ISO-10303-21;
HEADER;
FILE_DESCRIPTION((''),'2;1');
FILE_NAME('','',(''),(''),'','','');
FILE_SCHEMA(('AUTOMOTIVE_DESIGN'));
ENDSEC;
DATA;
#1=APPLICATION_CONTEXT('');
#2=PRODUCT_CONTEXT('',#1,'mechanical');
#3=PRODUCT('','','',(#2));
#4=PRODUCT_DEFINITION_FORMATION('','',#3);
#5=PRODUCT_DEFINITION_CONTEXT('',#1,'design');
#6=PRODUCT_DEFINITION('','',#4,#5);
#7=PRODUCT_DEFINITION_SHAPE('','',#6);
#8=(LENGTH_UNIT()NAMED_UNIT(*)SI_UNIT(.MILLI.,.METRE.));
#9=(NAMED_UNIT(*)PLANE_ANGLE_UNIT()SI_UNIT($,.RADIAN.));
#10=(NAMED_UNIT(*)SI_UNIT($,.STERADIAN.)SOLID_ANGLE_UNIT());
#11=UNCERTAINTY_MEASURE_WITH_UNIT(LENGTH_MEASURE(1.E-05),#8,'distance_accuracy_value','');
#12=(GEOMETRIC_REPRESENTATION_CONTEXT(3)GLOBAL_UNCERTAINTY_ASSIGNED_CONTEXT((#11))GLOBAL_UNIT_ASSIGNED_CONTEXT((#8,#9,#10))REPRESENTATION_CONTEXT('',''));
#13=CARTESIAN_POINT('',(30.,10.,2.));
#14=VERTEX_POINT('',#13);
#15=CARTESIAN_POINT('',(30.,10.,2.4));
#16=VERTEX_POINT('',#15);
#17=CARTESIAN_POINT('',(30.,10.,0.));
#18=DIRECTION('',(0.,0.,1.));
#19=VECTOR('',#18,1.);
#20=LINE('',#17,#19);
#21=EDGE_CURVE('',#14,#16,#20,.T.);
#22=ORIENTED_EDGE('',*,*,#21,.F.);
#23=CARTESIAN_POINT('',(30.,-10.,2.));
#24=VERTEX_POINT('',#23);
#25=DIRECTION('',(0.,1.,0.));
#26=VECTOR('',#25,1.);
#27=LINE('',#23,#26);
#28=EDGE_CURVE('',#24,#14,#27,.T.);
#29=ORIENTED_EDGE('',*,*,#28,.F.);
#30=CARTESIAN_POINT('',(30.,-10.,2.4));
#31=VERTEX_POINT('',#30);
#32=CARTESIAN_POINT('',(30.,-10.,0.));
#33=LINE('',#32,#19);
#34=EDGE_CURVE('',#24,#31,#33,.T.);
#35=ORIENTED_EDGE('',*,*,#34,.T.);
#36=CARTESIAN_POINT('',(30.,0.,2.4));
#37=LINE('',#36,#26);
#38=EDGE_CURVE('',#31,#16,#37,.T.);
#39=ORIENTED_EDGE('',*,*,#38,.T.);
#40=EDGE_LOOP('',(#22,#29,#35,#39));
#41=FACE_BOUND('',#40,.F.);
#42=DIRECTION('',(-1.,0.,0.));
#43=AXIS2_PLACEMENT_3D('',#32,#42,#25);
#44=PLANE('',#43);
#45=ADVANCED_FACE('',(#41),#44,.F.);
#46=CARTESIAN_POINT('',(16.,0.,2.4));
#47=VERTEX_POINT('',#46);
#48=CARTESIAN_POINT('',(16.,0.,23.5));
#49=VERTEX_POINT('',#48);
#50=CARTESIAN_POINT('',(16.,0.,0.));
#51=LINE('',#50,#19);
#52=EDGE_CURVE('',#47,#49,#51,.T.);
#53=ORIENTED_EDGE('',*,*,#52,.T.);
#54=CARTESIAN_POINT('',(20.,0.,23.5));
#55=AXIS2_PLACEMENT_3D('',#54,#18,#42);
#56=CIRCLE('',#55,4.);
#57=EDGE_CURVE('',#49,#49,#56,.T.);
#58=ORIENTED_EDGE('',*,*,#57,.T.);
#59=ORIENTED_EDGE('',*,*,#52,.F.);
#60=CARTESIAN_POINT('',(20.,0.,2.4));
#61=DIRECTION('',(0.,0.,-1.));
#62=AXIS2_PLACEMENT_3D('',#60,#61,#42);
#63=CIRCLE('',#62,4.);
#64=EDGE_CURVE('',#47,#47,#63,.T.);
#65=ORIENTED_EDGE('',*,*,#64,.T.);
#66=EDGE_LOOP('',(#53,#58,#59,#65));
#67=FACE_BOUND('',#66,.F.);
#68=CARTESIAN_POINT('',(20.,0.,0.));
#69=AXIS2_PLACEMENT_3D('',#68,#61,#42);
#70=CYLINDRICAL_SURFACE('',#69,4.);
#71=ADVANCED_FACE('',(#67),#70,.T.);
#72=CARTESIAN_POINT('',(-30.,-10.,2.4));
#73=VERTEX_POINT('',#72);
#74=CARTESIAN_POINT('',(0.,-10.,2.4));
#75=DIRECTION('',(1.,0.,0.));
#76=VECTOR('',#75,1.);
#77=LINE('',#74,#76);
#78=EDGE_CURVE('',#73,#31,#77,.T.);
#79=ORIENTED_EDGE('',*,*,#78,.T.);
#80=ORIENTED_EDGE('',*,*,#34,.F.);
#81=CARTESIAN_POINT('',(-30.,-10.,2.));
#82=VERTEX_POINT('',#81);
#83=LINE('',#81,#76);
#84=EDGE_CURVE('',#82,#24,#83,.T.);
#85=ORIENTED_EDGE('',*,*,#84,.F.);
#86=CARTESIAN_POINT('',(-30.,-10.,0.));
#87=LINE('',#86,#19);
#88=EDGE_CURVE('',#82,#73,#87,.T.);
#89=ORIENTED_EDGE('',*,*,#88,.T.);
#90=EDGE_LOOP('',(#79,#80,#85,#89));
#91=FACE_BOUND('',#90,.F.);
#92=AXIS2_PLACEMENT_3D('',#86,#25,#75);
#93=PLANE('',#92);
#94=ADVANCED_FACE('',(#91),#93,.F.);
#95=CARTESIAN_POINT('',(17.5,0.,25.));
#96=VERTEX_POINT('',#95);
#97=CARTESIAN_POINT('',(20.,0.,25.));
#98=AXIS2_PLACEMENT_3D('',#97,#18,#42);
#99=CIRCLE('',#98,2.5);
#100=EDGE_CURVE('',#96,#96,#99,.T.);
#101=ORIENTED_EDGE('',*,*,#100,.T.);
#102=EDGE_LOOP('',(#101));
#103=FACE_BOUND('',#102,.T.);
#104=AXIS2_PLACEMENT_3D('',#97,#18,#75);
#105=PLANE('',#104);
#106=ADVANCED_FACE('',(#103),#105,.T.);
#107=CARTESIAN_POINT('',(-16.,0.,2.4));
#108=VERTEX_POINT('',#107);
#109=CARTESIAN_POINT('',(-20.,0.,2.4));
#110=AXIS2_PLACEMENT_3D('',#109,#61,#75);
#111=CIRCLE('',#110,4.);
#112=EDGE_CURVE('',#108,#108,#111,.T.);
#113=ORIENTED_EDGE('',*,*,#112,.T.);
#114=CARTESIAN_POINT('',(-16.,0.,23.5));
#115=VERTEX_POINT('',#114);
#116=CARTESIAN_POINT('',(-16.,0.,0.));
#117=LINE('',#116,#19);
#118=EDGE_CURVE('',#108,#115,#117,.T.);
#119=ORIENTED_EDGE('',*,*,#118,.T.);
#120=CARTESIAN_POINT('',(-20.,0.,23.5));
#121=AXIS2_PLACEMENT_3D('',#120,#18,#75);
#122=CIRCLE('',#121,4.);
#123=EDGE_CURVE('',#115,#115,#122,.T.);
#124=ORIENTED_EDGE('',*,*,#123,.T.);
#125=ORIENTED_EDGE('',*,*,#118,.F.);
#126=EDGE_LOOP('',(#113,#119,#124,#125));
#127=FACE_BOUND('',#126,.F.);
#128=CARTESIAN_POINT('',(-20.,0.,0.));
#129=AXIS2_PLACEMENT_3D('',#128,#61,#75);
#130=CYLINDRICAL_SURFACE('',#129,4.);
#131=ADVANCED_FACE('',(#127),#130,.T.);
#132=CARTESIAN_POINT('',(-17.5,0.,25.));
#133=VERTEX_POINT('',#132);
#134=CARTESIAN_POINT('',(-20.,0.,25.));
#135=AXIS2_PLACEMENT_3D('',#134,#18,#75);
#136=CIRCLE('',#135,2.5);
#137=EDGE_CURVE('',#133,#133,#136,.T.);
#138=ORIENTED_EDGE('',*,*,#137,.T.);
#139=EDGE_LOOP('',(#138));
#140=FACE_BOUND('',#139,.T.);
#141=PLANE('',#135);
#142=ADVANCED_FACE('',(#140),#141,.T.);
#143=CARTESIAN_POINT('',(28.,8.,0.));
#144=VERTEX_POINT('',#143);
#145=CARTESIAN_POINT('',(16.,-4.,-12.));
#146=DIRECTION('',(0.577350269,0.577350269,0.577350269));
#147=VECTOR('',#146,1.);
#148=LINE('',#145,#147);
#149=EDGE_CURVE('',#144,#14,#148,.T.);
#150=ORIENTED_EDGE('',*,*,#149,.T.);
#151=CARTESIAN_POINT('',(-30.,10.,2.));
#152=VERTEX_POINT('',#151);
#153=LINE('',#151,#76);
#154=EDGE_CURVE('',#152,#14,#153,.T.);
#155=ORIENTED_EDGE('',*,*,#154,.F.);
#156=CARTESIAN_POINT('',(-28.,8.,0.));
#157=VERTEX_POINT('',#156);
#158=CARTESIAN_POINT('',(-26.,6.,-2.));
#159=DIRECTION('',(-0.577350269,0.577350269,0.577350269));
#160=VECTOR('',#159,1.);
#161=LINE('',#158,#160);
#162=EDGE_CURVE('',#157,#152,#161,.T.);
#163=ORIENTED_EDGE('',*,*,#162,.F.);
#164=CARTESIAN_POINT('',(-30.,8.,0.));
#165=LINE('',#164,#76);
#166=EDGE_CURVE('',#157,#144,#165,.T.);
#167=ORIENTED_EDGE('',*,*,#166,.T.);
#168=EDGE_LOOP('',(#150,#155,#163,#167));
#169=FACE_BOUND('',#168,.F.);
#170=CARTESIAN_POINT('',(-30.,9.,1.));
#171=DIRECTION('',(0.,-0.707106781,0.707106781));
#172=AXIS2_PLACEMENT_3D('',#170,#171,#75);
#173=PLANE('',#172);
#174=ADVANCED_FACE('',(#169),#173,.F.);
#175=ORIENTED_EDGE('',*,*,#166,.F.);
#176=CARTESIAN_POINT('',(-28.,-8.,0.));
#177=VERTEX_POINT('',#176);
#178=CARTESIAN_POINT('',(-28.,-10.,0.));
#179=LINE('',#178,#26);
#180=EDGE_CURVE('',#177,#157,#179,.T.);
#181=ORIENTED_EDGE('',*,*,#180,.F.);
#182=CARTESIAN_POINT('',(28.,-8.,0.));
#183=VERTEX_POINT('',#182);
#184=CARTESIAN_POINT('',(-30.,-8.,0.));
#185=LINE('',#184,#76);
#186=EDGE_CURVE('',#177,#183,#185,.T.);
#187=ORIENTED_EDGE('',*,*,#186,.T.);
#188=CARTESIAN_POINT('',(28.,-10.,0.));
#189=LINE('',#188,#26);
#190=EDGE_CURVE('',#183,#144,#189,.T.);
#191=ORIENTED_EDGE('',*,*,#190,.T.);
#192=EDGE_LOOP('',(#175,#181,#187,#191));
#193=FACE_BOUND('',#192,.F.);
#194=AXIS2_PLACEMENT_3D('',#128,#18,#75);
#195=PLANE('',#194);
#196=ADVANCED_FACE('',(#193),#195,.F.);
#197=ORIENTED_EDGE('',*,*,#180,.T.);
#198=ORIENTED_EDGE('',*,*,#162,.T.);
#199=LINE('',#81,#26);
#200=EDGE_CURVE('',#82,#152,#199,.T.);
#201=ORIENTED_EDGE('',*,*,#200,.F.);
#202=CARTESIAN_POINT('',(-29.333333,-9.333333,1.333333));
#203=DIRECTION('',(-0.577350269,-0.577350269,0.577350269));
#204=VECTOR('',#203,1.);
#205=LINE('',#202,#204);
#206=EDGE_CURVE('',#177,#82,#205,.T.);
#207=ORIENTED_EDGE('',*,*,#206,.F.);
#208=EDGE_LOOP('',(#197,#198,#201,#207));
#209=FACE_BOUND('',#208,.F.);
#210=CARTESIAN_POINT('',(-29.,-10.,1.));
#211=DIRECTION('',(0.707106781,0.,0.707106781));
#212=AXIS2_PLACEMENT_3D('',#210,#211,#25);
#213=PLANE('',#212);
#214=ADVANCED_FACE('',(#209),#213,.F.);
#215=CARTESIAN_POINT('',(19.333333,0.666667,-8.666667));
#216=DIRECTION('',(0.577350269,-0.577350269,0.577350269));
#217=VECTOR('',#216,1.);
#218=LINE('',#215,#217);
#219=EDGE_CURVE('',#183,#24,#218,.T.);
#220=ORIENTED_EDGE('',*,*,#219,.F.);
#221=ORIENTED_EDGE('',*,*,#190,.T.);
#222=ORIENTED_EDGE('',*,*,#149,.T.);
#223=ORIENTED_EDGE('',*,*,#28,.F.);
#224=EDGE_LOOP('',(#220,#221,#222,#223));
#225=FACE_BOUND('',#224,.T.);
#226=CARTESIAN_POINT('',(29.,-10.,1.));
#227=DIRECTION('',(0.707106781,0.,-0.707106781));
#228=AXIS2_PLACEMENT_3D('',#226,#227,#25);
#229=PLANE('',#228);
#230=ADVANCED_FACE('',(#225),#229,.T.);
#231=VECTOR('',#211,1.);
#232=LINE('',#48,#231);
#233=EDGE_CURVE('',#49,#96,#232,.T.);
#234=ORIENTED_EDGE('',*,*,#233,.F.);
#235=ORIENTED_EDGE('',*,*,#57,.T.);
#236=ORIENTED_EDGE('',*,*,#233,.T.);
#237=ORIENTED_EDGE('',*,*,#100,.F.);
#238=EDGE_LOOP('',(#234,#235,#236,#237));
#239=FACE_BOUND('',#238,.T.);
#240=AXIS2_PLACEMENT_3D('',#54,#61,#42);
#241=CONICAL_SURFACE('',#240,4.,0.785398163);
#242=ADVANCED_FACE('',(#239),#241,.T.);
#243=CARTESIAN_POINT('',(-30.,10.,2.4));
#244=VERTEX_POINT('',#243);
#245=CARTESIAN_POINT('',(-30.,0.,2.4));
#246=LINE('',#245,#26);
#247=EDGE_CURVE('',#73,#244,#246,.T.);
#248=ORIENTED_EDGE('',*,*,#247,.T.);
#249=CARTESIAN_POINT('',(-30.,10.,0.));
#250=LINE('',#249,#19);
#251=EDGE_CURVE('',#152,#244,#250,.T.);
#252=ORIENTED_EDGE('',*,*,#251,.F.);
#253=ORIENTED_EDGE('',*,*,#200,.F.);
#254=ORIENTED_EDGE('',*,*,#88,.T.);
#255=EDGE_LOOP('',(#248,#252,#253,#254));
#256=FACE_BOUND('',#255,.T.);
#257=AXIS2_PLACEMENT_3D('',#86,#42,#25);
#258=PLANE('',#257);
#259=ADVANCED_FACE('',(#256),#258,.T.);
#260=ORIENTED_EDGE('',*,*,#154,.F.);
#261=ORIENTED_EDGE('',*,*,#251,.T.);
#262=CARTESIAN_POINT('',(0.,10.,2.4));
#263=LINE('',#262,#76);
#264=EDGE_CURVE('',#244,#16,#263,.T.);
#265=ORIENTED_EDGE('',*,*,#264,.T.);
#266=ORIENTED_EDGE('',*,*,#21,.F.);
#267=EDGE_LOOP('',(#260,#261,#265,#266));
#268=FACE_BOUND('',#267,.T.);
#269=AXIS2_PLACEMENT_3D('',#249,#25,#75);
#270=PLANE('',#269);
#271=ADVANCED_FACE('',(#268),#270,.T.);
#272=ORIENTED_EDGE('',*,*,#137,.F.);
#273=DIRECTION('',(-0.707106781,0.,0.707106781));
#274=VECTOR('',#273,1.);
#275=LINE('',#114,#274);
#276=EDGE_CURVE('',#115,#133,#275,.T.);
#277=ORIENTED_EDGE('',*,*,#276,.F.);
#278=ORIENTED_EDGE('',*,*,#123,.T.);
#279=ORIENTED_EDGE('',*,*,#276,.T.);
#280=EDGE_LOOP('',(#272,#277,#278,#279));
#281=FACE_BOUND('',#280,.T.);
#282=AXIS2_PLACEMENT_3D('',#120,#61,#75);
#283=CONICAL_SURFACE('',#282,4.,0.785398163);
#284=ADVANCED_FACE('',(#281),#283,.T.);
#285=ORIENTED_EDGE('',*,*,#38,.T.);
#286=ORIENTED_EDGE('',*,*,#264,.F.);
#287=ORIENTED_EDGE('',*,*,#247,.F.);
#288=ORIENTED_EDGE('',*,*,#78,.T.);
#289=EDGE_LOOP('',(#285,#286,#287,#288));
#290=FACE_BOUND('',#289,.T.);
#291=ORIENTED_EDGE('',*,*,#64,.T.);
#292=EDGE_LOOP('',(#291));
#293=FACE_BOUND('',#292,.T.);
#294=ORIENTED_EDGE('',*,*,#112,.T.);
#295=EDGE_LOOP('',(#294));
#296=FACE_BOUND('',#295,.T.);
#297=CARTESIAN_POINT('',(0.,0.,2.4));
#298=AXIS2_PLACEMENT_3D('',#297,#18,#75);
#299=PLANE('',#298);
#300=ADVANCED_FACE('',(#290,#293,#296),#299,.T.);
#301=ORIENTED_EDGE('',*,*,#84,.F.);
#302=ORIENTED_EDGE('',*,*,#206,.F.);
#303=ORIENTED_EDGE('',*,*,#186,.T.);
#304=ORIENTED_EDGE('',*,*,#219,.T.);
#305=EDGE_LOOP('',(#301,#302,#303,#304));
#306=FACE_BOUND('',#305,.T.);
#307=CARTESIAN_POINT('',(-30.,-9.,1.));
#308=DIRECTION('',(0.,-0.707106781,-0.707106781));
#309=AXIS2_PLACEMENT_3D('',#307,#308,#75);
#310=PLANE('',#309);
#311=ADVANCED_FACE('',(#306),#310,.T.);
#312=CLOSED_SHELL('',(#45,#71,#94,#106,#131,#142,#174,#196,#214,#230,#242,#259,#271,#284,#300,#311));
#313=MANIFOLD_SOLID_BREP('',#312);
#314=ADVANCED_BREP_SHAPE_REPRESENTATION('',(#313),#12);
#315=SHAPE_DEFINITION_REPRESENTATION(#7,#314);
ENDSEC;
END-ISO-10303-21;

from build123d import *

# Parameters (mm, degrees)
F0_W     = 60
F0_H     = 20
F0_R     = 4
F1_DEPTH = 2.4
F2_DEPTH = 25
F3_SIZE  = 2
F4_SIZE  = 1.5


with BuildPart() as f1:
    # F0 (on Top) → F1 (new body)
    with BuildSketch(Plane.XY):
        Rectangle(F0_W, F0_H)
        with Locations((-20, 0)):
            Circle(F0_R, mode=Mode.SUBTRACT)
        with BuildLine():
            ThreePointArc((24, 0), (20, -4), (16, 0))
            ThreePointArc((16, 0), (20, 4), (24, 0))
        make_face(mode=Mode.SUBTRACT)
        with Locations((-20, 0)):
            Circle(F0_R)
        with BuildLine():
            ThreePointArc((24, 0), (20, 4), (16, 0))
            ThreePointArc((16, 0), (20, -4), (24, 0))
        make_face()
    extrude(amount=F1_DEPTH)

    # F0 (on Top) → F2 (join)
    with BuildSketch(Plane.XY):
        with Locations((-20, 0)):
            Circle(F0_R)
        with BuildLine():
            ThreePointArc((24, 0), (20, 4), (16, 0))
            ThreePointArc((16, 0), (20, -4), (24, 0))
        make_face()
    extrude(amount=F2_DEPTH)

    # F3
    f3_edges = [f1.edges().sort_by_distance(p)[0] for p in [
        (0, -10, 0),
        (30, 0, 0),
        (0, 10, 0),
        (-30, 0, 0),
    ]]
    chamfer(f3_edges, length=F3_SIZE)

    # F4
    f4_edges = [f1.edges().sort_by_distance(p)[0] for p in [
        (-24, 0, 25),
        (24, 0, 25),
    ]]
    chamfer(f4_edges, length=F4_SIZE)


solid = f1.part
